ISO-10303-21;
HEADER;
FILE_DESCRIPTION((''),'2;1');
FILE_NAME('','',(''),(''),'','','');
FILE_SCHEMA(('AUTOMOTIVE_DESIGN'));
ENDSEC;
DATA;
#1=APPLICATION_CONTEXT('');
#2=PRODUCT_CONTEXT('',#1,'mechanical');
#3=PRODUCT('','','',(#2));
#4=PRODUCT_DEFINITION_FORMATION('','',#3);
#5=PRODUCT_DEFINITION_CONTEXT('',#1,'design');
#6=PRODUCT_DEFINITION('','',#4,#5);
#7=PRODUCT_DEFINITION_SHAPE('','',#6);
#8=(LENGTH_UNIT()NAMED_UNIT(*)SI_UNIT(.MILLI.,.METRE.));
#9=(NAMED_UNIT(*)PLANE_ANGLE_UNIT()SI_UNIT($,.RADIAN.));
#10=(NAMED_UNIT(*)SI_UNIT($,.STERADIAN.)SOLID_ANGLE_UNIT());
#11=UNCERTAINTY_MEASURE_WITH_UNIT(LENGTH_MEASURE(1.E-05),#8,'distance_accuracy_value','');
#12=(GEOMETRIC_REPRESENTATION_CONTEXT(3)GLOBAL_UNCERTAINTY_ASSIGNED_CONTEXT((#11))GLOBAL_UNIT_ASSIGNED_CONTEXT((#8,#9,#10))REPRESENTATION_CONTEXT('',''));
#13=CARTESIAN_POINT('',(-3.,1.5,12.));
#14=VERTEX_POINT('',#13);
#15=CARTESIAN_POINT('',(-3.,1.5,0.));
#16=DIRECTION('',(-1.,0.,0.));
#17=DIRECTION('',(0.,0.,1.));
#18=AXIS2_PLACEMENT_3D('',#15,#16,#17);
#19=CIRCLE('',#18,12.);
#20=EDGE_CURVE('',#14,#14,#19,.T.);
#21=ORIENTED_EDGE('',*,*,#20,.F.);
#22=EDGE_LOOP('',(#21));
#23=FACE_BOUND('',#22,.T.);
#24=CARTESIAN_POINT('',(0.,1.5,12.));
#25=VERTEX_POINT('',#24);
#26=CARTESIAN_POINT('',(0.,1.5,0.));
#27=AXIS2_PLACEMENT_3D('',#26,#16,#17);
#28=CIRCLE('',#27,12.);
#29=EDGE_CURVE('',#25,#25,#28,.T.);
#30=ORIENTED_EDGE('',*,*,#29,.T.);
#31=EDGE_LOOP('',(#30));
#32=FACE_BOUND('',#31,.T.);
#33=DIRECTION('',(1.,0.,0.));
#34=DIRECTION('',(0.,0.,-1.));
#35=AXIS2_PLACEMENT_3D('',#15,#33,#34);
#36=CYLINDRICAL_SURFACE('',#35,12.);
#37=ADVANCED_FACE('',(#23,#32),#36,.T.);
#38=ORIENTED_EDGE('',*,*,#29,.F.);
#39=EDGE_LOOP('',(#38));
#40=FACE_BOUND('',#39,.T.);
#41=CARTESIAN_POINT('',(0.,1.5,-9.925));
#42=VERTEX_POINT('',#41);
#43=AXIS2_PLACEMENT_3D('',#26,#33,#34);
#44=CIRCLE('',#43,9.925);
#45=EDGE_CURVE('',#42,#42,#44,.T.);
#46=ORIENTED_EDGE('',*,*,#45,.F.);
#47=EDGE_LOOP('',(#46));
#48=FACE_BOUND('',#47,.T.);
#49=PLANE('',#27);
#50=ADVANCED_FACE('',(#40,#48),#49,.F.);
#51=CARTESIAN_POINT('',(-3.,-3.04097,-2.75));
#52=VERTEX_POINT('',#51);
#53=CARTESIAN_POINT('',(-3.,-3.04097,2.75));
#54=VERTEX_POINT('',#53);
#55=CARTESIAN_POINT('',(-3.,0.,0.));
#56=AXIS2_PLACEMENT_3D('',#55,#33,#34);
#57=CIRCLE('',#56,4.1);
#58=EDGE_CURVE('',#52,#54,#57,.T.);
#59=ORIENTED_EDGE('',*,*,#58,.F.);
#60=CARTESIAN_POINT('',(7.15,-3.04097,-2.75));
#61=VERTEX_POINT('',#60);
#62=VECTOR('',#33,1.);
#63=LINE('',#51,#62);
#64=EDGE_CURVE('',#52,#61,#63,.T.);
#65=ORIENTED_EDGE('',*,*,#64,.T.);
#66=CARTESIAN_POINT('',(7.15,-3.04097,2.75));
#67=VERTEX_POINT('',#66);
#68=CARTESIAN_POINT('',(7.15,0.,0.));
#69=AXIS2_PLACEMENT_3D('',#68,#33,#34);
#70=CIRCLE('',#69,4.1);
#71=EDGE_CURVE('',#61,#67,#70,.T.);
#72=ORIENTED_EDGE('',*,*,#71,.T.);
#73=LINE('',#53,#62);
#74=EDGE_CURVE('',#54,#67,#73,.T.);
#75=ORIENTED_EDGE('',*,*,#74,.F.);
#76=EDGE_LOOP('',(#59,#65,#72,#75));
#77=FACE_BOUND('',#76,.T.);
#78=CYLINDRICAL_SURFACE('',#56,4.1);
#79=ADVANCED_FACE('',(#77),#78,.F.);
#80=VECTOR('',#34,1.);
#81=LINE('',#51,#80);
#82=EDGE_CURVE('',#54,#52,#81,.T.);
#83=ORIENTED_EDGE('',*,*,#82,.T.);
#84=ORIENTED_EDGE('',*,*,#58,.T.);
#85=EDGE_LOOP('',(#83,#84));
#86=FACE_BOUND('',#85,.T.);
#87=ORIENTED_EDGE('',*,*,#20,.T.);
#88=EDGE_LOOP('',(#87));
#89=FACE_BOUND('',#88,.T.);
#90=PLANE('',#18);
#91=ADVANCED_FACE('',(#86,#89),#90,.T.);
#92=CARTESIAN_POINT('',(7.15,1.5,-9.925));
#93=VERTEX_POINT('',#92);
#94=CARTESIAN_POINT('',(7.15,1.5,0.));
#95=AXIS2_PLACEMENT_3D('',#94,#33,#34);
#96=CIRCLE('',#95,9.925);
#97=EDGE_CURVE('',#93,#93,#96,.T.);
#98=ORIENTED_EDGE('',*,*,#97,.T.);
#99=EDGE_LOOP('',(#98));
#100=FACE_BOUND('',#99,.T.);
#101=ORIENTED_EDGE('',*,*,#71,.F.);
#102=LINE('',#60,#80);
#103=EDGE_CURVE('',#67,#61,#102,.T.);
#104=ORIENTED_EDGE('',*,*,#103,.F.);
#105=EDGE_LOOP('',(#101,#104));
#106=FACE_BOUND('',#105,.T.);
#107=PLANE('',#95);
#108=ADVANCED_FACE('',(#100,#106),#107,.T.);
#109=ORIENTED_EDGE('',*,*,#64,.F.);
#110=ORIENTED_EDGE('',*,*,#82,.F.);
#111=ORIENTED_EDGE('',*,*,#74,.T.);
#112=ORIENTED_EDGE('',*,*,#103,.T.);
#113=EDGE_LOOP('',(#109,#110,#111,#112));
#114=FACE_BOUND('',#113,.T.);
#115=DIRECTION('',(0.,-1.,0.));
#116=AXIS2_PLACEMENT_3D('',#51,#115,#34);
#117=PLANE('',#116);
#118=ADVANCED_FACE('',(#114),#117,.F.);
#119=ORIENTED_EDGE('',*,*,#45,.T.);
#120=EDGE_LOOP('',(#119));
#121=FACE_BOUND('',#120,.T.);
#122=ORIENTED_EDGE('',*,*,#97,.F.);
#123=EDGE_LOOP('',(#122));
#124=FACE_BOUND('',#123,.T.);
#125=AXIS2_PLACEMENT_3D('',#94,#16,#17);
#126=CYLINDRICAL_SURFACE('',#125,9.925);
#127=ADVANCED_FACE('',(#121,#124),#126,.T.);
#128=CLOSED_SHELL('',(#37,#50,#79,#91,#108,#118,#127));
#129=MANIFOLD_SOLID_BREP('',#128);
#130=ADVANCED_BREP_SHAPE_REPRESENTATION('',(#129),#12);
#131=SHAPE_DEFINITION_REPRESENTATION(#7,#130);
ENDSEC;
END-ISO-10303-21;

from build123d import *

# Parameters (mm, degrees)
SKIZZE1_R                            = 9.925
AUFSATZ_LINEAR_AUSTRAGEN1_DEPTH      = 7.15
SKIZZE2_R                            = 12
AUFSATZ_LINEAR_AUSTRAGEN2_DEPTH      = 3
SCHNITT_LINEAR_AUSTRAGEN1_DEPTH      = 21.718892345
SCHNITT_LINEAR_AUSTRAGEN1_DEPTH_BACK = 21.718892345


with BuildPart() as part:
    # Skizze1 → Aufsatz-Linear austragen1 (new body)
    with BuildSketch(Plane(origin=(0, 0, 0), x_dir=(0, 0, -1), z_dir=(1, 0, 0))):
        with Locations((0, 1.5)):
            Circle(SKIZZE1_R)
    extrude(amount=AUFSATZ_LINEAR_AUSTRAGEN1_DEPTH)

    # Skizze2 → Aufsatz-Linear austragen2 (add)
    with BuildSketch(Plane.ZY):
        with Locations((0, 1.5)):
            Circle(SKIZZE2_R)
    extrude(amount=AUFSATZ_LINEAR_AUSTRAGEN2_DEPTH)

    # Skizze3 → Schnitt-Linear austragen1 (cut, two sides: drawn at the far end of the back side and taken through both)
    with BuildSketch(Plane(origin=(7.15, 0, 0), x_dir=(0, 0, -1), z_dir=(1, 0, 0)).offset(-SCHNITT_LINEAR_AUSTRAGEN1_DEPTH_BACK)):
        with BuildLine():
            Line((2.75, -3.04097024), (-2.75, -3.04097024))
            ThreePointArc((-2.75, -3.04097024), (0, 4.1), (2.75, -3.04097024))
        make_face()
    extrude(amount=SCHNITT_LINEAR_AUSTRAGEN1_DEPTH + SCHNITT_LINEAR_AUSTRAGEN1_DEPTH_BACK, mode=Mode.SUBTRACT)


solid = part.part
